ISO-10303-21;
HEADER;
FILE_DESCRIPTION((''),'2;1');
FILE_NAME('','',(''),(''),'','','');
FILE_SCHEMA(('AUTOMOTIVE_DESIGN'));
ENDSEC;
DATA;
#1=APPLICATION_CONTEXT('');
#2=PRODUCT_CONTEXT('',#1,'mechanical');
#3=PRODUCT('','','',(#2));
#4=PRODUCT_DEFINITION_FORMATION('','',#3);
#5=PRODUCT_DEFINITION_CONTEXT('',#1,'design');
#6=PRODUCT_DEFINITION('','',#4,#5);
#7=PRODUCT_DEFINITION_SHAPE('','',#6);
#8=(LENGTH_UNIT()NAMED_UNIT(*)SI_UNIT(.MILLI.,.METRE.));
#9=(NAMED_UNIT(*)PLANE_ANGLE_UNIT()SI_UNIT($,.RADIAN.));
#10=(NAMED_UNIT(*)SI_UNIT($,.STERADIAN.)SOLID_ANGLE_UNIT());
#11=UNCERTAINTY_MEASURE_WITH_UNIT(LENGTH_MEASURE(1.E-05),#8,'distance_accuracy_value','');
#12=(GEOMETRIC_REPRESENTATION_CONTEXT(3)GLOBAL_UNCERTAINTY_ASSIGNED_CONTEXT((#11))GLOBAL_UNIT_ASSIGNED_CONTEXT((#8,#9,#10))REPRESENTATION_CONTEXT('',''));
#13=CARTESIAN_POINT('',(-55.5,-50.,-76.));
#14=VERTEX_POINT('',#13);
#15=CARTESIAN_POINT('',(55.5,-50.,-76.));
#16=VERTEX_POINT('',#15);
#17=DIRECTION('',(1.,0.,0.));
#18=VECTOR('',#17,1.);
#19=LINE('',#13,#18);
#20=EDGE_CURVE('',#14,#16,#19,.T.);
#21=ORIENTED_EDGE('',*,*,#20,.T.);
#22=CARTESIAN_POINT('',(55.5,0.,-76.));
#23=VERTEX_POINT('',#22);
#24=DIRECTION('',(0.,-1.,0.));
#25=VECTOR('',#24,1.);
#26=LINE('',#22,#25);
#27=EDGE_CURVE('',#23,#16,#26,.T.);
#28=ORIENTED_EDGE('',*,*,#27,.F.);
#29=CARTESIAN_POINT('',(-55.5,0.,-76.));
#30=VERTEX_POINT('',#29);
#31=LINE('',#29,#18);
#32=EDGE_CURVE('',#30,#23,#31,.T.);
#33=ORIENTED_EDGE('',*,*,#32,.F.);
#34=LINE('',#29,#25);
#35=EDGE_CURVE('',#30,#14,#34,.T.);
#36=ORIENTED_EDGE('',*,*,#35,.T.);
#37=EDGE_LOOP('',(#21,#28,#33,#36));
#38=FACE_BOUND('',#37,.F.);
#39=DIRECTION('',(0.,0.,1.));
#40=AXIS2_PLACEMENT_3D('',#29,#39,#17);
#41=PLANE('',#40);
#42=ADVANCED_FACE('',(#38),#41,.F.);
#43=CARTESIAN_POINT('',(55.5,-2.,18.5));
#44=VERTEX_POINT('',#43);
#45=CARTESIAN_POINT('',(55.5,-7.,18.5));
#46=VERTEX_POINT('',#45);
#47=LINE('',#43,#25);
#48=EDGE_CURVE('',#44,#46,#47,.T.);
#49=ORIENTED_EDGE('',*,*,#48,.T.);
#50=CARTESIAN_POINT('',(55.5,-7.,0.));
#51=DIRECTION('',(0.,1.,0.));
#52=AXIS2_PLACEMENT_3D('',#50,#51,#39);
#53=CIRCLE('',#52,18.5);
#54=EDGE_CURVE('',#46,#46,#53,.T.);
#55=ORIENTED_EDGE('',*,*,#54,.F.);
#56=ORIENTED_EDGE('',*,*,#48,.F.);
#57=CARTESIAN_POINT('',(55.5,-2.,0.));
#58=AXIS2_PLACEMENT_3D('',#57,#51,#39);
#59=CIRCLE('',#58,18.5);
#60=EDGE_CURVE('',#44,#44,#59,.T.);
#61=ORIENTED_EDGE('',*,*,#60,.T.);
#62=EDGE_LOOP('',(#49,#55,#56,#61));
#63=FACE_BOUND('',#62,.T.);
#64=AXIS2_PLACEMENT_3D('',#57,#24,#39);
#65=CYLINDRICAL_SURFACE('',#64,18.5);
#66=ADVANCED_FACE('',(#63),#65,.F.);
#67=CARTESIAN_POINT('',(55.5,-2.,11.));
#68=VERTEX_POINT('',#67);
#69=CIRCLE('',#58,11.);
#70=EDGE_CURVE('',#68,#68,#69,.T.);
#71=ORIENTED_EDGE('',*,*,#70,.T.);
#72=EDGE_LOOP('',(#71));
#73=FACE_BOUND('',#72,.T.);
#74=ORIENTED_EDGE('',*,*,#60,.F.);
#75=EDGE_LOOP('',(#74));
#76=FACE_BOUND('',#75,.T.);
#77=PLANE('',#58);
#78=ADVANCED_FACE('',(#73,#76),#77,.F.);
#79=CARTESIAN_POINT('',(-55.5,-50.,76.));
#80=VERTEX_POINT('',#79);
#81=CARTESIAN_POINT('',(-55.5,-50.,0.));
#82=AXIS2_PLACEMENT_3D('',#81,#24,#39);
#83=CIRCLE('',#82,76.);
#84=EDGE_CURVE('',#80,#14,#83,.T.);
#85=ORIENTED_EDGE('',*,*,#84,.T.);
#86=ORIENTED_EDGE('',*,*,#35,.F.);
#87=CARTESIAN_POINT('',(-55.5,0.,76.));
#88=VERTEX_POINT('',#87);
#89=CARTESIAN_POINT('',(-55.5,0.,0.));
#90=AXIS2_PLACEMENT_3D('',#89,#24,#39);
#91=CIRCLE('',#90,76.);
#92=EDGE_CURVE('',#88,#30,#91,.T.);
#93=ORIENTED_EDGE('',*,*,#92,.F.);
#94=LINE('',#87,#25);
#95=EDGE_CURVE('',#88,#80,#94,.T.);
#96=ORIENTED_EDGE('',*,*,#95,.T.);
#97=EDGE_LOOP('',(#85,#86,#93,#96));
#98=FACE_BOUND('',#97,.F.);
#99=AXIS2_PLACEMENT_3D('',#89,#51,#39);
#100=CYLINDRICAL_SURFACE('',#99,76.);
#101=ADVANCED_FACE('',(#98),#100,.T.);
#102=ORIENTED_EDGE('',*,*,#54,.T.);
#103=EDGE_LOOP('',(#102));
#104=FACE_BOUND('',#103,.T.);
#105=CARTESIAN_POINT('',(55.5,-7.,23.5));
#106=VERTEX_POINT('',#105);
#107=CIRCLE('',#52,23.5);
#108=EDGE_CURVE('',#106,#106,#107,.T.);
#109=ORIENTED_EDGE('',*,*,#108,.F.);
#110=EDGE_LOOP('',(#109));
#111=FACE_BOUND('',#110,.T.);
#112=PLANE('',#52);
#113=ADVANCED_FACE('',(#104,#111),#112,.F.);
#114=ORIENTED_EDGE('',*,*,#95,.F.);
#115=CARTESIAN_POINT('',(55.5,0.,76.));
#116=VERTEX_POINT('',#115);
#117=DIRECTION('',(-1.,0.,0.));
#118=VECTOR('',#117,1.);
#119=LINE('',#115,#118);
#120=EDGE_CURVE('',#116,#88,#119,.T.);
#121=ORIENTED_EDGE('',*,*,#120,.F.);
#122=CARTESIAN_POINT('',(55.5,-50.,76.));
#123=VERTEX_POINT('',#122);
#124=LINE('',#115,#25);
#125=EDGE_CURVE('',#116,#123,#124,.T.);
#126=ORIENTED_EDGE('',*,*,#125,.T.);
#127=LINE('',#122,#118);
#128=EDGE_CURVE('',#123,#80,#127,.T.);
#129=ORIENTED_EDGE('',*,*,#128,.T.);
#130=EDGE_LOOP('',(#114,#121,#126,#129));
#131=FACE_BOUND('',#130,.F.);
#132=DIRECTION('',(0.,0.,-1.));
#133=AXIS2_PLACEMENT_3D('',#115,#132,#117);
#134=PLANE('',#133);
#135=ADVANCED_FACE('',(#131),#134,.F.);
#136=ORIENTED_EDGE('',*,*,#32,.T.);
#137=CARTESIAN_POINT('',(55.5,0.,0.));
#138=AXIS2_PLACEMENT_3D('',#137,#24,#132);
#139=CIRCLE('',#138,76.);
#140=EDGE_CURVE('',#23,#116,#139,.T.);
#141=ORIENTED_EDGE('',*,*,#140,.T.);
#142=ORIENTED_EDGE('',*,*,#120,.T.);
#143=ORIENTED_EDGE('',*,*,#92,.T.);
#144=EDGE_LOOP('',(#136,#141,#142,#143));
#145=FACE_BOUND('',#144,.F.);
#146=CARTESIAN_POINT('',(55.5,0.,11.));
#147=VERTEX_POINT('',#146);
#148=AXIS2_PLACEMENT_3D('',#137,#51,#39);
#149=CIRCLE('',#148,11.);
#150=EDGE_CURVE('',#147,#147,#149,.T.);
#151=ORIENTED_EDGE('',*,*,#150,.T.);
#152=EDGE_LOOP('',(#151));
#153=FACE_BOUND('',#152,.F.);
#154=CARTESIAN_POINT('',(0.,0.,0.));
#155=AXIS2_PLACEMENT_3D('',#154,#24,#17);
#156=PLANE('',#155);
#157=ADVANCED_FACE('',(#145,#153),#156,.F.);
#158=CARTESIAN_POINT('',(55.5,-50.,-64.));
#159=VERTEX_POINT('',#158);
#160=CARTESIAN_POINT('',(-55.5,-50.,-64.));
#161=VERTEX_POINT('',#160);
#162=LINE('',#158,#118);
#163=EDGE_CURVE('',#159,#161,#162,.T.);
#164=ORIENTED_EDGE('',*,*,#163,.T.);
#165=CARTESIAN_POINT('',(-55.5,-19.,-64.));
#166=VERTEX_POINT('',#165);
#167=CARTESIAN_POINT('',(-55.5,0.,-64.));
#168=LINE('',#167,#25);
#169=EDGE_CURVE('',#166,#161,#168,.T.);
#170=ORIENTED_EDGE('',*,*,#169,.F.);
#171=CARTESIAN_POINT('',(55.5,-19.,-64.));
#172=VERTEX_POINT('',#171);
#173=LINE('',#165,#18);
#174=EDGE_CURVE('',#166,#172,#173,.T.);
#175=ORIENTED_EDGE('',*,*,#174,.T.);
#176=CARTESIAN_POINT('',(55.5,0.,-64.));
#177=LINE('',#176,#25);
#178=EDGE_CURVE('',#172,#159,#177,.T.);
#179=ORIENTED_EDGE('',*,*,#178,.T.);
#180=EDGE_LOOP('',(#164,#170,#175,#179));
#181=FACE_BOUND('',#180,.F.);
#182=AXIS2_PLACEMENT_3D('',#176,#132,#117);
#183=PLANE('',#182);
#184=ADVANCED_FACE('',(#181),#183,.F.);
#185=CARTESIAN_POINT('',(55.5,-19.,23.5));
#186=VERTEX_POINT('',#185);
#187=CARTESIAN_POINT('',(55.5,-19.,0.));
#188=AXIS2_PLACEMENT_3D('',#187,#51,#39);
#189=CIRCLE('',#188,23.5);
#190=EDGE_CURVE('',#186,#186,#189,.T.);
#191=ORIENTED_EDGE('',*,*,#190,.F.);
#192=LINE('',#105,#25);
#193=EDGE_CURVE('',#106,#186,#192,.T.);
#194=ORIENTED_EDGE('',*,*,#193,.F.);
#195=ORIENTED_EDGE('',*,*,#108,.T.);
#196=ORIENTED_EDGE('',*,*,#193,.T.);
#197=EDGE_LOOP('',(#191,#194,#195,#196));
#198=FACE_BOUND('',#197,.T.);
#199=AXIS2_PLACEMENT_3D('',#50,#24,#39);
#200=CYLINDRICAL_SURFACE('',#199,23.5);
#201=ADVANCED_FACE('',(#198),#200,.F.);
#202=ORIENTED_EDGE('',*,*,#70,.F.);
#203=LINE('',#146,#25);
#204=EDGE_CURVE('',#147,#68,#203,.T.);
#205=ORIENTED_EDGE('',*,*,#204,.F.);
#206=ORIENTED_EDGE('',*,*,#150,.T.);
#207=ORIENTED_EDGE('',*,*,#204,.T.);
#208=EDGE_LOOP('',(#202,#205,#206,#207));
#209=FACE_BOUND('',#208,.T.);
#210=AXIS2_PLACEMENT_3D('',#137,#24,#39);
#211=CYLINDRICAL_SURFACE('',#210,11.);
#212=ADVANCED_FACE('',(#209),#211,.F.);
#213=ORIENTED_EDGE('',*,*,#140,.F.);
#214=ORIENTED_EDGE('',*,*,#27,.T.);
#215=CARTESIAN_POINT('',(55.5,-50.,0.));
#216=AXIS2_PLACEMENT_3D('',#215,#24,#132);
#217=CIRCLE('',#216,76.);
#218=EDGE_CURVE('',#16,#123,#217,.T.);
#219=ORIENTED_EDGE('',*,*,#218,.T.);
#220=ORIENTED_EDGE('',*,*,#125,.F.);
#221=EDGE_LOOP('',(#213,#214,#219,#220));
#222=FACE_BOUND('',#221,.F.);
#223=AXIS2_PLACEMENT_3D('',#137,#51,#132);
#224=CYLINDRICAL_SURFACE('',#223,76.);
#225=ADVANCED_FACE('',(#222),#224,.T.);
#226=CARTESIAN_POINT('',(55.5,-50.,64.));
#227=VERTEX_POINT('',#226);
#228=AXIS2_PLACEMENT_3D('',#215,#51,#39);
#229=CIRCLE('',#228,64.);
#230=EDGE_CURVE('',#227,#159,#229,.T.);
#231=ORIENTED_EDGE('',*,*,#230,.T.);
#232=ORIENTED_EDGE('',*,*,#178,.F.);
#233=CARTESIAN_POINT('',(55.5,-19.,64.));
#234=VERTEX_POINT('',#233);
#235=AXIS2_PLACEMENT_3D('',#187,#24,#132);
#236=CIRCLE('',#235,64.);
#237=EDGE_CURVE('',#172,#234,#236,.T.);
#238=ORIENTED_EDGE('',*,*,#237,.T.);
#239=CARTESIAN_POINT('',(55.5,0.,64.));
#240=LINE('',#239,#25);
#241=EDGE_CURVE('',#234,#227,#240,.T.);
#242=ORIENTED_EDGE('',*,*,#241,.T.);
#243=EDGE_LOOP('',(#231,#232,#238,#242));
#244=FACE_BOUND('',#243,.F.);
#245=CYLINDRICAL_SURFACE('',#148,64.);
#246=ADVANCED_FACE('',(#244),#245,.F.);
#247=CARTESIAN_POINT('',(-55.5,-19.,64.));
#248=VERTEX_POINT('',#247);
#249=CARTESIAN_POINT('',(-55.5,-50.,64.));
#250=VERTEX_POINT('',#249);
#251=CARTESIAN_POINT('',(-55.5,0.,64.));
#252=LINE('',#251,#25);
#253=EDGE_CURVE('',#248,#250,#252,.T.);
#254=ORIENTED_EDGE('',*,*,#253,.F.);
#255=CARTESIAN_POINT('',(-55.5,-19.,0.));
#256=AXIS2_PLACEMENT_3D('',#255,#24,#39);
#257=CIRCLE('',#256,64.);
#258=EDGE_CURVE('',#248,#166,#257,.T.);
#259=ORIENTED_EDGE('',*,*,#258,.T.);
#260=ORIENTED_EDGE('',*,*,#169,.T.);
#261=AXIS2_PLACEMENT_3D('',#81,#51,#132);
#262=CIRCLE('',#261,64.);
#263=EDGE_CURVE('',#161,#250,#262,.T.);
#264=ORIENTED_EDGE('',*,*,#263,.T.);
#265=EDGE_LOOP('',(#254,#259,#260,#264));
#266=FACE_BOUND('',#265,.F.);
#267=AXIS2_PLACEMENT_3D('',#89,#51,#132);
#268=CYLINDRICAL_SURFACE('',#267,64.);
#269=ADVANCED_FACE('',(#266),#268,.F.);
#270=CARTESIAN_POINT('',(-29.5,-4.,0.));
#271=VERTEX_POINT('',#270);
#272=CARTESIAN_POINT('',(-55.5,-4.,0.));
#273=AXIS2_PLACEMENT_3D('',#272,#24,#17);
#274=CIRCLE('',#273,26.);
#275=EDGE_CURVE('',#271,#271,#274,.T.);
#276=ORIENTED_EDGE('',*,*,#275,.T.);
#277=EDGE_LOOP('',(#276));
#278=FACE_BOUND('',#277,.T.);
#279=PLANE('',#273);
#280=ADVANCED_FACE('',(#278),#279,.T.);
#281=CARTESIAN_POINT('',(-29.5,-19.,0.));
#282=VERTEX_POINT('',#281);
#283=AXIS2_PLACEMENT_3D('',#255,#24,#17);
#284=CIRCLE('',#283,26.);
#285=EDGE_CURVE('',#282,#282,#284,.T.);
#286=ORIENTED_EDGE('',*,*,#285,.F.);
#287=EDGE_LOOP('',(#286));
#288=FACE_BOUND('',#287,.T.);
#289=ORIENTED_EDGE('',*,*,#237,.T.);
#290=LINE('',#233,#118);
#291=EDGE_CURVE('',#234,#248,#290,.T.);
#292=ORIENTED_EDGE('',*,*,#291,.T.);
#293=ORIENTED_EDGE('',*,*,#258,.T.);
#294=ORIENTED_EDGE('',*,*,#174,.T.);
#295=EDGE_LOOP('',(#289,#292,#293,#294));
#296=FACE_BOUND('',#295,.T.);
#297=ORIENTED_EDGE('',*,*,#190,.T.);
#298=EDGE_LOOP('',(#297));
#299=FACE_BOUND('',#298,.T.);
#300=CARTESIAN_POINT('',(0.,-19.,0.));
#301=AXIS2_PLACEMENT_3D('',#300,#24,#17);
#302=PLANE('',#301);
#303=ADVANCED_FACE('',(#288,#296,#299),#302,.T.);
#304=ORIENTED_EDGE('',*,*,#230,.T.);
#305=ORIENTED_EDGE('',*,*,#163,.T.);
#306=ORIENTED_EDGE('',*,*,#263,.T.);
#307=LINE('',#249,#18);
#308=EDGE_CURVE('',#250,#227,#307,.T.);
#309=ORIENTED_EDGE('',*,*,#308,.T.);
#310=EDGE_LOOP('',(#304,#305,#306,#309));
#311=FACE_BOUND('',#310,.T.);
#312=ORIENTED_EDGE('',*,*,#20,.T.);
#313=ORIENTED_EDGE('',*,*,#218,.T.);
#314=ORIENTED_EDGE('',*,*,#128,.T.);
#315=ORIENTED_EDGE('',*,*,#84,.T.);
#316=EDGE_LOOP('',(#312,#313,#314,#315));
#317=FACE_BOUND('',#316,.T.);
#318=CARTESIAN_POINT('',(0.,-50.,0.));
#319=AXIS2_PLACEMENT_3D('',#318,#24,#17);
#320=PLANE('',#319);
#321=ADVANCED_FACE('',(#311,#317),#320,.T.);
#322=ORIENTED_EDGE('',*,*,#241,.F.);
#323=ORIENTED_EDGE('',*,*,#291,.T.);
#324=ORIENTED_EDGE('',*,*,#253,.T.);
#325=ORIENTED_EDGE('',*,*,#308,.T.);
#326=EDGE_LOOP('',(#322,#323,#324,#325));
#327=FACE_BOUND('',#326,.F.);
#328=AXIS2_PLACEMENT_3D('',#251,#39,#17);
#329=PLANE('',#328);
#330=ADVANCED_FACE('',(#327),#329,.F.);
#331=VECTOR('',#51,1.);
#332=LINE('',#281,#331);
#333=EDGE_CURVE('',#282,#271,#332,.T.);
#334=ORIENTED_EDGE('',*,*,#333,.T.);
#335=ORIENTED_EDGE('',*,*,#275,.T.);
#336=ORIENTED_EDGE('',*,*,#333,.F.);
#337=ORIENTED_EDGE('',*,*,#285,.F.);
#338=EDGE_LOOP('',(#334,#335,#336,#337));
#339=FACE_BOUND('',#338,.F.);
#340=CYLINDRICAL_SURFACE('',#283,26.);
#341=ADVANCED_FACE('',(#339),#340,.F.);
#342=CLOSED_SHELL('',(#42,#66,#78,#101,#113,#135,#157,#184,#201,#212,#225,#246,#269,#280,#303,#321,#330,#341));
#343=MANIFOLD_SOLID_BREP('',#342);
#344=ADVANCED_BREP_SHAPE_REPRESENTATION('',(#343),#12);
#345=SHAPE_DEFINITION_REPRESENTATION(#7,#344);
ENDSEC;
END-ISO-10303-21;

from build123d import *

# Parameters (mm, degrees)
F1_DEPTH = 50
F2_DEPTH = 19
F3_R     = 26
F4_DEPTH = 15


with BuildPart() as f1:
    # F0 (on Front) → F1 (new body)
    with BuildSketch(Plane.XZ):
        with BuildLine():
            Line((-55.5, -76), (55.5, -76))
            ThreePointArc((55.5, -76), (131.5, 0), (55.5, 76))
            Line((55.5, 76), (-55.5, 76))
            ThreePointArc((-55.5, 76), (-131.5, 0), (-55.5, -76))
        make_face()
        with BuildLine():
            ThreePointArc((-55.5, -64), (-119.5, 0), (-55.5, 64))
            Line((-55.5, 64), (55.5, 64))
            ThreePointArc((55.5, 64), (119.5, 0), (55.5, -64))
            Line((55.5, -64), (-55.5, -64))
        make_face(mode=Mode.SUBTRACT)
    extrude(amount=F1_DEPTH)

    # F0 (on Front) → F2 (join)
    with BuildSketch(Plane.XZ):
        with BuildLine():
            Line((55.5, 64), (-55.5, 64))
            ThreePointArc((-55.5, 64), (-119.5, 0), (-55.5, -64))
            Line((-55.5, -64), (55.5, -64))
            ThreePointArc((55.5, -64), (119.5, 0), (55.5, 64))
        make_face()
    extrude(amount=F2_DEPTH)

    # F3 (on face) → F4 (cut)
    with BuildSketch(Plane.XZ.offset(19)):
        with Locations((-55.5, 0)):
            Circle(F3_R)
    extrude(amount=-F4_DEPTH, mode=Mode.SUBTRACT)

    # F6 (on offset) → F7 (revolve, cut)
    with BuildSketch(Plane.YZ.offset(55.5)):
        Polygon((0, 0), (0, 11), (-2, 11), (-2, 18.5), (-7, 18.5), (-7, 23.5), (-19, 23.5), (-19, 0), align=None)
    revolve(axis=Axis((55.5, -9.5, 0), (0, 1, 0)), mode=Mode.SUBTRACT)


solid = f1.part
